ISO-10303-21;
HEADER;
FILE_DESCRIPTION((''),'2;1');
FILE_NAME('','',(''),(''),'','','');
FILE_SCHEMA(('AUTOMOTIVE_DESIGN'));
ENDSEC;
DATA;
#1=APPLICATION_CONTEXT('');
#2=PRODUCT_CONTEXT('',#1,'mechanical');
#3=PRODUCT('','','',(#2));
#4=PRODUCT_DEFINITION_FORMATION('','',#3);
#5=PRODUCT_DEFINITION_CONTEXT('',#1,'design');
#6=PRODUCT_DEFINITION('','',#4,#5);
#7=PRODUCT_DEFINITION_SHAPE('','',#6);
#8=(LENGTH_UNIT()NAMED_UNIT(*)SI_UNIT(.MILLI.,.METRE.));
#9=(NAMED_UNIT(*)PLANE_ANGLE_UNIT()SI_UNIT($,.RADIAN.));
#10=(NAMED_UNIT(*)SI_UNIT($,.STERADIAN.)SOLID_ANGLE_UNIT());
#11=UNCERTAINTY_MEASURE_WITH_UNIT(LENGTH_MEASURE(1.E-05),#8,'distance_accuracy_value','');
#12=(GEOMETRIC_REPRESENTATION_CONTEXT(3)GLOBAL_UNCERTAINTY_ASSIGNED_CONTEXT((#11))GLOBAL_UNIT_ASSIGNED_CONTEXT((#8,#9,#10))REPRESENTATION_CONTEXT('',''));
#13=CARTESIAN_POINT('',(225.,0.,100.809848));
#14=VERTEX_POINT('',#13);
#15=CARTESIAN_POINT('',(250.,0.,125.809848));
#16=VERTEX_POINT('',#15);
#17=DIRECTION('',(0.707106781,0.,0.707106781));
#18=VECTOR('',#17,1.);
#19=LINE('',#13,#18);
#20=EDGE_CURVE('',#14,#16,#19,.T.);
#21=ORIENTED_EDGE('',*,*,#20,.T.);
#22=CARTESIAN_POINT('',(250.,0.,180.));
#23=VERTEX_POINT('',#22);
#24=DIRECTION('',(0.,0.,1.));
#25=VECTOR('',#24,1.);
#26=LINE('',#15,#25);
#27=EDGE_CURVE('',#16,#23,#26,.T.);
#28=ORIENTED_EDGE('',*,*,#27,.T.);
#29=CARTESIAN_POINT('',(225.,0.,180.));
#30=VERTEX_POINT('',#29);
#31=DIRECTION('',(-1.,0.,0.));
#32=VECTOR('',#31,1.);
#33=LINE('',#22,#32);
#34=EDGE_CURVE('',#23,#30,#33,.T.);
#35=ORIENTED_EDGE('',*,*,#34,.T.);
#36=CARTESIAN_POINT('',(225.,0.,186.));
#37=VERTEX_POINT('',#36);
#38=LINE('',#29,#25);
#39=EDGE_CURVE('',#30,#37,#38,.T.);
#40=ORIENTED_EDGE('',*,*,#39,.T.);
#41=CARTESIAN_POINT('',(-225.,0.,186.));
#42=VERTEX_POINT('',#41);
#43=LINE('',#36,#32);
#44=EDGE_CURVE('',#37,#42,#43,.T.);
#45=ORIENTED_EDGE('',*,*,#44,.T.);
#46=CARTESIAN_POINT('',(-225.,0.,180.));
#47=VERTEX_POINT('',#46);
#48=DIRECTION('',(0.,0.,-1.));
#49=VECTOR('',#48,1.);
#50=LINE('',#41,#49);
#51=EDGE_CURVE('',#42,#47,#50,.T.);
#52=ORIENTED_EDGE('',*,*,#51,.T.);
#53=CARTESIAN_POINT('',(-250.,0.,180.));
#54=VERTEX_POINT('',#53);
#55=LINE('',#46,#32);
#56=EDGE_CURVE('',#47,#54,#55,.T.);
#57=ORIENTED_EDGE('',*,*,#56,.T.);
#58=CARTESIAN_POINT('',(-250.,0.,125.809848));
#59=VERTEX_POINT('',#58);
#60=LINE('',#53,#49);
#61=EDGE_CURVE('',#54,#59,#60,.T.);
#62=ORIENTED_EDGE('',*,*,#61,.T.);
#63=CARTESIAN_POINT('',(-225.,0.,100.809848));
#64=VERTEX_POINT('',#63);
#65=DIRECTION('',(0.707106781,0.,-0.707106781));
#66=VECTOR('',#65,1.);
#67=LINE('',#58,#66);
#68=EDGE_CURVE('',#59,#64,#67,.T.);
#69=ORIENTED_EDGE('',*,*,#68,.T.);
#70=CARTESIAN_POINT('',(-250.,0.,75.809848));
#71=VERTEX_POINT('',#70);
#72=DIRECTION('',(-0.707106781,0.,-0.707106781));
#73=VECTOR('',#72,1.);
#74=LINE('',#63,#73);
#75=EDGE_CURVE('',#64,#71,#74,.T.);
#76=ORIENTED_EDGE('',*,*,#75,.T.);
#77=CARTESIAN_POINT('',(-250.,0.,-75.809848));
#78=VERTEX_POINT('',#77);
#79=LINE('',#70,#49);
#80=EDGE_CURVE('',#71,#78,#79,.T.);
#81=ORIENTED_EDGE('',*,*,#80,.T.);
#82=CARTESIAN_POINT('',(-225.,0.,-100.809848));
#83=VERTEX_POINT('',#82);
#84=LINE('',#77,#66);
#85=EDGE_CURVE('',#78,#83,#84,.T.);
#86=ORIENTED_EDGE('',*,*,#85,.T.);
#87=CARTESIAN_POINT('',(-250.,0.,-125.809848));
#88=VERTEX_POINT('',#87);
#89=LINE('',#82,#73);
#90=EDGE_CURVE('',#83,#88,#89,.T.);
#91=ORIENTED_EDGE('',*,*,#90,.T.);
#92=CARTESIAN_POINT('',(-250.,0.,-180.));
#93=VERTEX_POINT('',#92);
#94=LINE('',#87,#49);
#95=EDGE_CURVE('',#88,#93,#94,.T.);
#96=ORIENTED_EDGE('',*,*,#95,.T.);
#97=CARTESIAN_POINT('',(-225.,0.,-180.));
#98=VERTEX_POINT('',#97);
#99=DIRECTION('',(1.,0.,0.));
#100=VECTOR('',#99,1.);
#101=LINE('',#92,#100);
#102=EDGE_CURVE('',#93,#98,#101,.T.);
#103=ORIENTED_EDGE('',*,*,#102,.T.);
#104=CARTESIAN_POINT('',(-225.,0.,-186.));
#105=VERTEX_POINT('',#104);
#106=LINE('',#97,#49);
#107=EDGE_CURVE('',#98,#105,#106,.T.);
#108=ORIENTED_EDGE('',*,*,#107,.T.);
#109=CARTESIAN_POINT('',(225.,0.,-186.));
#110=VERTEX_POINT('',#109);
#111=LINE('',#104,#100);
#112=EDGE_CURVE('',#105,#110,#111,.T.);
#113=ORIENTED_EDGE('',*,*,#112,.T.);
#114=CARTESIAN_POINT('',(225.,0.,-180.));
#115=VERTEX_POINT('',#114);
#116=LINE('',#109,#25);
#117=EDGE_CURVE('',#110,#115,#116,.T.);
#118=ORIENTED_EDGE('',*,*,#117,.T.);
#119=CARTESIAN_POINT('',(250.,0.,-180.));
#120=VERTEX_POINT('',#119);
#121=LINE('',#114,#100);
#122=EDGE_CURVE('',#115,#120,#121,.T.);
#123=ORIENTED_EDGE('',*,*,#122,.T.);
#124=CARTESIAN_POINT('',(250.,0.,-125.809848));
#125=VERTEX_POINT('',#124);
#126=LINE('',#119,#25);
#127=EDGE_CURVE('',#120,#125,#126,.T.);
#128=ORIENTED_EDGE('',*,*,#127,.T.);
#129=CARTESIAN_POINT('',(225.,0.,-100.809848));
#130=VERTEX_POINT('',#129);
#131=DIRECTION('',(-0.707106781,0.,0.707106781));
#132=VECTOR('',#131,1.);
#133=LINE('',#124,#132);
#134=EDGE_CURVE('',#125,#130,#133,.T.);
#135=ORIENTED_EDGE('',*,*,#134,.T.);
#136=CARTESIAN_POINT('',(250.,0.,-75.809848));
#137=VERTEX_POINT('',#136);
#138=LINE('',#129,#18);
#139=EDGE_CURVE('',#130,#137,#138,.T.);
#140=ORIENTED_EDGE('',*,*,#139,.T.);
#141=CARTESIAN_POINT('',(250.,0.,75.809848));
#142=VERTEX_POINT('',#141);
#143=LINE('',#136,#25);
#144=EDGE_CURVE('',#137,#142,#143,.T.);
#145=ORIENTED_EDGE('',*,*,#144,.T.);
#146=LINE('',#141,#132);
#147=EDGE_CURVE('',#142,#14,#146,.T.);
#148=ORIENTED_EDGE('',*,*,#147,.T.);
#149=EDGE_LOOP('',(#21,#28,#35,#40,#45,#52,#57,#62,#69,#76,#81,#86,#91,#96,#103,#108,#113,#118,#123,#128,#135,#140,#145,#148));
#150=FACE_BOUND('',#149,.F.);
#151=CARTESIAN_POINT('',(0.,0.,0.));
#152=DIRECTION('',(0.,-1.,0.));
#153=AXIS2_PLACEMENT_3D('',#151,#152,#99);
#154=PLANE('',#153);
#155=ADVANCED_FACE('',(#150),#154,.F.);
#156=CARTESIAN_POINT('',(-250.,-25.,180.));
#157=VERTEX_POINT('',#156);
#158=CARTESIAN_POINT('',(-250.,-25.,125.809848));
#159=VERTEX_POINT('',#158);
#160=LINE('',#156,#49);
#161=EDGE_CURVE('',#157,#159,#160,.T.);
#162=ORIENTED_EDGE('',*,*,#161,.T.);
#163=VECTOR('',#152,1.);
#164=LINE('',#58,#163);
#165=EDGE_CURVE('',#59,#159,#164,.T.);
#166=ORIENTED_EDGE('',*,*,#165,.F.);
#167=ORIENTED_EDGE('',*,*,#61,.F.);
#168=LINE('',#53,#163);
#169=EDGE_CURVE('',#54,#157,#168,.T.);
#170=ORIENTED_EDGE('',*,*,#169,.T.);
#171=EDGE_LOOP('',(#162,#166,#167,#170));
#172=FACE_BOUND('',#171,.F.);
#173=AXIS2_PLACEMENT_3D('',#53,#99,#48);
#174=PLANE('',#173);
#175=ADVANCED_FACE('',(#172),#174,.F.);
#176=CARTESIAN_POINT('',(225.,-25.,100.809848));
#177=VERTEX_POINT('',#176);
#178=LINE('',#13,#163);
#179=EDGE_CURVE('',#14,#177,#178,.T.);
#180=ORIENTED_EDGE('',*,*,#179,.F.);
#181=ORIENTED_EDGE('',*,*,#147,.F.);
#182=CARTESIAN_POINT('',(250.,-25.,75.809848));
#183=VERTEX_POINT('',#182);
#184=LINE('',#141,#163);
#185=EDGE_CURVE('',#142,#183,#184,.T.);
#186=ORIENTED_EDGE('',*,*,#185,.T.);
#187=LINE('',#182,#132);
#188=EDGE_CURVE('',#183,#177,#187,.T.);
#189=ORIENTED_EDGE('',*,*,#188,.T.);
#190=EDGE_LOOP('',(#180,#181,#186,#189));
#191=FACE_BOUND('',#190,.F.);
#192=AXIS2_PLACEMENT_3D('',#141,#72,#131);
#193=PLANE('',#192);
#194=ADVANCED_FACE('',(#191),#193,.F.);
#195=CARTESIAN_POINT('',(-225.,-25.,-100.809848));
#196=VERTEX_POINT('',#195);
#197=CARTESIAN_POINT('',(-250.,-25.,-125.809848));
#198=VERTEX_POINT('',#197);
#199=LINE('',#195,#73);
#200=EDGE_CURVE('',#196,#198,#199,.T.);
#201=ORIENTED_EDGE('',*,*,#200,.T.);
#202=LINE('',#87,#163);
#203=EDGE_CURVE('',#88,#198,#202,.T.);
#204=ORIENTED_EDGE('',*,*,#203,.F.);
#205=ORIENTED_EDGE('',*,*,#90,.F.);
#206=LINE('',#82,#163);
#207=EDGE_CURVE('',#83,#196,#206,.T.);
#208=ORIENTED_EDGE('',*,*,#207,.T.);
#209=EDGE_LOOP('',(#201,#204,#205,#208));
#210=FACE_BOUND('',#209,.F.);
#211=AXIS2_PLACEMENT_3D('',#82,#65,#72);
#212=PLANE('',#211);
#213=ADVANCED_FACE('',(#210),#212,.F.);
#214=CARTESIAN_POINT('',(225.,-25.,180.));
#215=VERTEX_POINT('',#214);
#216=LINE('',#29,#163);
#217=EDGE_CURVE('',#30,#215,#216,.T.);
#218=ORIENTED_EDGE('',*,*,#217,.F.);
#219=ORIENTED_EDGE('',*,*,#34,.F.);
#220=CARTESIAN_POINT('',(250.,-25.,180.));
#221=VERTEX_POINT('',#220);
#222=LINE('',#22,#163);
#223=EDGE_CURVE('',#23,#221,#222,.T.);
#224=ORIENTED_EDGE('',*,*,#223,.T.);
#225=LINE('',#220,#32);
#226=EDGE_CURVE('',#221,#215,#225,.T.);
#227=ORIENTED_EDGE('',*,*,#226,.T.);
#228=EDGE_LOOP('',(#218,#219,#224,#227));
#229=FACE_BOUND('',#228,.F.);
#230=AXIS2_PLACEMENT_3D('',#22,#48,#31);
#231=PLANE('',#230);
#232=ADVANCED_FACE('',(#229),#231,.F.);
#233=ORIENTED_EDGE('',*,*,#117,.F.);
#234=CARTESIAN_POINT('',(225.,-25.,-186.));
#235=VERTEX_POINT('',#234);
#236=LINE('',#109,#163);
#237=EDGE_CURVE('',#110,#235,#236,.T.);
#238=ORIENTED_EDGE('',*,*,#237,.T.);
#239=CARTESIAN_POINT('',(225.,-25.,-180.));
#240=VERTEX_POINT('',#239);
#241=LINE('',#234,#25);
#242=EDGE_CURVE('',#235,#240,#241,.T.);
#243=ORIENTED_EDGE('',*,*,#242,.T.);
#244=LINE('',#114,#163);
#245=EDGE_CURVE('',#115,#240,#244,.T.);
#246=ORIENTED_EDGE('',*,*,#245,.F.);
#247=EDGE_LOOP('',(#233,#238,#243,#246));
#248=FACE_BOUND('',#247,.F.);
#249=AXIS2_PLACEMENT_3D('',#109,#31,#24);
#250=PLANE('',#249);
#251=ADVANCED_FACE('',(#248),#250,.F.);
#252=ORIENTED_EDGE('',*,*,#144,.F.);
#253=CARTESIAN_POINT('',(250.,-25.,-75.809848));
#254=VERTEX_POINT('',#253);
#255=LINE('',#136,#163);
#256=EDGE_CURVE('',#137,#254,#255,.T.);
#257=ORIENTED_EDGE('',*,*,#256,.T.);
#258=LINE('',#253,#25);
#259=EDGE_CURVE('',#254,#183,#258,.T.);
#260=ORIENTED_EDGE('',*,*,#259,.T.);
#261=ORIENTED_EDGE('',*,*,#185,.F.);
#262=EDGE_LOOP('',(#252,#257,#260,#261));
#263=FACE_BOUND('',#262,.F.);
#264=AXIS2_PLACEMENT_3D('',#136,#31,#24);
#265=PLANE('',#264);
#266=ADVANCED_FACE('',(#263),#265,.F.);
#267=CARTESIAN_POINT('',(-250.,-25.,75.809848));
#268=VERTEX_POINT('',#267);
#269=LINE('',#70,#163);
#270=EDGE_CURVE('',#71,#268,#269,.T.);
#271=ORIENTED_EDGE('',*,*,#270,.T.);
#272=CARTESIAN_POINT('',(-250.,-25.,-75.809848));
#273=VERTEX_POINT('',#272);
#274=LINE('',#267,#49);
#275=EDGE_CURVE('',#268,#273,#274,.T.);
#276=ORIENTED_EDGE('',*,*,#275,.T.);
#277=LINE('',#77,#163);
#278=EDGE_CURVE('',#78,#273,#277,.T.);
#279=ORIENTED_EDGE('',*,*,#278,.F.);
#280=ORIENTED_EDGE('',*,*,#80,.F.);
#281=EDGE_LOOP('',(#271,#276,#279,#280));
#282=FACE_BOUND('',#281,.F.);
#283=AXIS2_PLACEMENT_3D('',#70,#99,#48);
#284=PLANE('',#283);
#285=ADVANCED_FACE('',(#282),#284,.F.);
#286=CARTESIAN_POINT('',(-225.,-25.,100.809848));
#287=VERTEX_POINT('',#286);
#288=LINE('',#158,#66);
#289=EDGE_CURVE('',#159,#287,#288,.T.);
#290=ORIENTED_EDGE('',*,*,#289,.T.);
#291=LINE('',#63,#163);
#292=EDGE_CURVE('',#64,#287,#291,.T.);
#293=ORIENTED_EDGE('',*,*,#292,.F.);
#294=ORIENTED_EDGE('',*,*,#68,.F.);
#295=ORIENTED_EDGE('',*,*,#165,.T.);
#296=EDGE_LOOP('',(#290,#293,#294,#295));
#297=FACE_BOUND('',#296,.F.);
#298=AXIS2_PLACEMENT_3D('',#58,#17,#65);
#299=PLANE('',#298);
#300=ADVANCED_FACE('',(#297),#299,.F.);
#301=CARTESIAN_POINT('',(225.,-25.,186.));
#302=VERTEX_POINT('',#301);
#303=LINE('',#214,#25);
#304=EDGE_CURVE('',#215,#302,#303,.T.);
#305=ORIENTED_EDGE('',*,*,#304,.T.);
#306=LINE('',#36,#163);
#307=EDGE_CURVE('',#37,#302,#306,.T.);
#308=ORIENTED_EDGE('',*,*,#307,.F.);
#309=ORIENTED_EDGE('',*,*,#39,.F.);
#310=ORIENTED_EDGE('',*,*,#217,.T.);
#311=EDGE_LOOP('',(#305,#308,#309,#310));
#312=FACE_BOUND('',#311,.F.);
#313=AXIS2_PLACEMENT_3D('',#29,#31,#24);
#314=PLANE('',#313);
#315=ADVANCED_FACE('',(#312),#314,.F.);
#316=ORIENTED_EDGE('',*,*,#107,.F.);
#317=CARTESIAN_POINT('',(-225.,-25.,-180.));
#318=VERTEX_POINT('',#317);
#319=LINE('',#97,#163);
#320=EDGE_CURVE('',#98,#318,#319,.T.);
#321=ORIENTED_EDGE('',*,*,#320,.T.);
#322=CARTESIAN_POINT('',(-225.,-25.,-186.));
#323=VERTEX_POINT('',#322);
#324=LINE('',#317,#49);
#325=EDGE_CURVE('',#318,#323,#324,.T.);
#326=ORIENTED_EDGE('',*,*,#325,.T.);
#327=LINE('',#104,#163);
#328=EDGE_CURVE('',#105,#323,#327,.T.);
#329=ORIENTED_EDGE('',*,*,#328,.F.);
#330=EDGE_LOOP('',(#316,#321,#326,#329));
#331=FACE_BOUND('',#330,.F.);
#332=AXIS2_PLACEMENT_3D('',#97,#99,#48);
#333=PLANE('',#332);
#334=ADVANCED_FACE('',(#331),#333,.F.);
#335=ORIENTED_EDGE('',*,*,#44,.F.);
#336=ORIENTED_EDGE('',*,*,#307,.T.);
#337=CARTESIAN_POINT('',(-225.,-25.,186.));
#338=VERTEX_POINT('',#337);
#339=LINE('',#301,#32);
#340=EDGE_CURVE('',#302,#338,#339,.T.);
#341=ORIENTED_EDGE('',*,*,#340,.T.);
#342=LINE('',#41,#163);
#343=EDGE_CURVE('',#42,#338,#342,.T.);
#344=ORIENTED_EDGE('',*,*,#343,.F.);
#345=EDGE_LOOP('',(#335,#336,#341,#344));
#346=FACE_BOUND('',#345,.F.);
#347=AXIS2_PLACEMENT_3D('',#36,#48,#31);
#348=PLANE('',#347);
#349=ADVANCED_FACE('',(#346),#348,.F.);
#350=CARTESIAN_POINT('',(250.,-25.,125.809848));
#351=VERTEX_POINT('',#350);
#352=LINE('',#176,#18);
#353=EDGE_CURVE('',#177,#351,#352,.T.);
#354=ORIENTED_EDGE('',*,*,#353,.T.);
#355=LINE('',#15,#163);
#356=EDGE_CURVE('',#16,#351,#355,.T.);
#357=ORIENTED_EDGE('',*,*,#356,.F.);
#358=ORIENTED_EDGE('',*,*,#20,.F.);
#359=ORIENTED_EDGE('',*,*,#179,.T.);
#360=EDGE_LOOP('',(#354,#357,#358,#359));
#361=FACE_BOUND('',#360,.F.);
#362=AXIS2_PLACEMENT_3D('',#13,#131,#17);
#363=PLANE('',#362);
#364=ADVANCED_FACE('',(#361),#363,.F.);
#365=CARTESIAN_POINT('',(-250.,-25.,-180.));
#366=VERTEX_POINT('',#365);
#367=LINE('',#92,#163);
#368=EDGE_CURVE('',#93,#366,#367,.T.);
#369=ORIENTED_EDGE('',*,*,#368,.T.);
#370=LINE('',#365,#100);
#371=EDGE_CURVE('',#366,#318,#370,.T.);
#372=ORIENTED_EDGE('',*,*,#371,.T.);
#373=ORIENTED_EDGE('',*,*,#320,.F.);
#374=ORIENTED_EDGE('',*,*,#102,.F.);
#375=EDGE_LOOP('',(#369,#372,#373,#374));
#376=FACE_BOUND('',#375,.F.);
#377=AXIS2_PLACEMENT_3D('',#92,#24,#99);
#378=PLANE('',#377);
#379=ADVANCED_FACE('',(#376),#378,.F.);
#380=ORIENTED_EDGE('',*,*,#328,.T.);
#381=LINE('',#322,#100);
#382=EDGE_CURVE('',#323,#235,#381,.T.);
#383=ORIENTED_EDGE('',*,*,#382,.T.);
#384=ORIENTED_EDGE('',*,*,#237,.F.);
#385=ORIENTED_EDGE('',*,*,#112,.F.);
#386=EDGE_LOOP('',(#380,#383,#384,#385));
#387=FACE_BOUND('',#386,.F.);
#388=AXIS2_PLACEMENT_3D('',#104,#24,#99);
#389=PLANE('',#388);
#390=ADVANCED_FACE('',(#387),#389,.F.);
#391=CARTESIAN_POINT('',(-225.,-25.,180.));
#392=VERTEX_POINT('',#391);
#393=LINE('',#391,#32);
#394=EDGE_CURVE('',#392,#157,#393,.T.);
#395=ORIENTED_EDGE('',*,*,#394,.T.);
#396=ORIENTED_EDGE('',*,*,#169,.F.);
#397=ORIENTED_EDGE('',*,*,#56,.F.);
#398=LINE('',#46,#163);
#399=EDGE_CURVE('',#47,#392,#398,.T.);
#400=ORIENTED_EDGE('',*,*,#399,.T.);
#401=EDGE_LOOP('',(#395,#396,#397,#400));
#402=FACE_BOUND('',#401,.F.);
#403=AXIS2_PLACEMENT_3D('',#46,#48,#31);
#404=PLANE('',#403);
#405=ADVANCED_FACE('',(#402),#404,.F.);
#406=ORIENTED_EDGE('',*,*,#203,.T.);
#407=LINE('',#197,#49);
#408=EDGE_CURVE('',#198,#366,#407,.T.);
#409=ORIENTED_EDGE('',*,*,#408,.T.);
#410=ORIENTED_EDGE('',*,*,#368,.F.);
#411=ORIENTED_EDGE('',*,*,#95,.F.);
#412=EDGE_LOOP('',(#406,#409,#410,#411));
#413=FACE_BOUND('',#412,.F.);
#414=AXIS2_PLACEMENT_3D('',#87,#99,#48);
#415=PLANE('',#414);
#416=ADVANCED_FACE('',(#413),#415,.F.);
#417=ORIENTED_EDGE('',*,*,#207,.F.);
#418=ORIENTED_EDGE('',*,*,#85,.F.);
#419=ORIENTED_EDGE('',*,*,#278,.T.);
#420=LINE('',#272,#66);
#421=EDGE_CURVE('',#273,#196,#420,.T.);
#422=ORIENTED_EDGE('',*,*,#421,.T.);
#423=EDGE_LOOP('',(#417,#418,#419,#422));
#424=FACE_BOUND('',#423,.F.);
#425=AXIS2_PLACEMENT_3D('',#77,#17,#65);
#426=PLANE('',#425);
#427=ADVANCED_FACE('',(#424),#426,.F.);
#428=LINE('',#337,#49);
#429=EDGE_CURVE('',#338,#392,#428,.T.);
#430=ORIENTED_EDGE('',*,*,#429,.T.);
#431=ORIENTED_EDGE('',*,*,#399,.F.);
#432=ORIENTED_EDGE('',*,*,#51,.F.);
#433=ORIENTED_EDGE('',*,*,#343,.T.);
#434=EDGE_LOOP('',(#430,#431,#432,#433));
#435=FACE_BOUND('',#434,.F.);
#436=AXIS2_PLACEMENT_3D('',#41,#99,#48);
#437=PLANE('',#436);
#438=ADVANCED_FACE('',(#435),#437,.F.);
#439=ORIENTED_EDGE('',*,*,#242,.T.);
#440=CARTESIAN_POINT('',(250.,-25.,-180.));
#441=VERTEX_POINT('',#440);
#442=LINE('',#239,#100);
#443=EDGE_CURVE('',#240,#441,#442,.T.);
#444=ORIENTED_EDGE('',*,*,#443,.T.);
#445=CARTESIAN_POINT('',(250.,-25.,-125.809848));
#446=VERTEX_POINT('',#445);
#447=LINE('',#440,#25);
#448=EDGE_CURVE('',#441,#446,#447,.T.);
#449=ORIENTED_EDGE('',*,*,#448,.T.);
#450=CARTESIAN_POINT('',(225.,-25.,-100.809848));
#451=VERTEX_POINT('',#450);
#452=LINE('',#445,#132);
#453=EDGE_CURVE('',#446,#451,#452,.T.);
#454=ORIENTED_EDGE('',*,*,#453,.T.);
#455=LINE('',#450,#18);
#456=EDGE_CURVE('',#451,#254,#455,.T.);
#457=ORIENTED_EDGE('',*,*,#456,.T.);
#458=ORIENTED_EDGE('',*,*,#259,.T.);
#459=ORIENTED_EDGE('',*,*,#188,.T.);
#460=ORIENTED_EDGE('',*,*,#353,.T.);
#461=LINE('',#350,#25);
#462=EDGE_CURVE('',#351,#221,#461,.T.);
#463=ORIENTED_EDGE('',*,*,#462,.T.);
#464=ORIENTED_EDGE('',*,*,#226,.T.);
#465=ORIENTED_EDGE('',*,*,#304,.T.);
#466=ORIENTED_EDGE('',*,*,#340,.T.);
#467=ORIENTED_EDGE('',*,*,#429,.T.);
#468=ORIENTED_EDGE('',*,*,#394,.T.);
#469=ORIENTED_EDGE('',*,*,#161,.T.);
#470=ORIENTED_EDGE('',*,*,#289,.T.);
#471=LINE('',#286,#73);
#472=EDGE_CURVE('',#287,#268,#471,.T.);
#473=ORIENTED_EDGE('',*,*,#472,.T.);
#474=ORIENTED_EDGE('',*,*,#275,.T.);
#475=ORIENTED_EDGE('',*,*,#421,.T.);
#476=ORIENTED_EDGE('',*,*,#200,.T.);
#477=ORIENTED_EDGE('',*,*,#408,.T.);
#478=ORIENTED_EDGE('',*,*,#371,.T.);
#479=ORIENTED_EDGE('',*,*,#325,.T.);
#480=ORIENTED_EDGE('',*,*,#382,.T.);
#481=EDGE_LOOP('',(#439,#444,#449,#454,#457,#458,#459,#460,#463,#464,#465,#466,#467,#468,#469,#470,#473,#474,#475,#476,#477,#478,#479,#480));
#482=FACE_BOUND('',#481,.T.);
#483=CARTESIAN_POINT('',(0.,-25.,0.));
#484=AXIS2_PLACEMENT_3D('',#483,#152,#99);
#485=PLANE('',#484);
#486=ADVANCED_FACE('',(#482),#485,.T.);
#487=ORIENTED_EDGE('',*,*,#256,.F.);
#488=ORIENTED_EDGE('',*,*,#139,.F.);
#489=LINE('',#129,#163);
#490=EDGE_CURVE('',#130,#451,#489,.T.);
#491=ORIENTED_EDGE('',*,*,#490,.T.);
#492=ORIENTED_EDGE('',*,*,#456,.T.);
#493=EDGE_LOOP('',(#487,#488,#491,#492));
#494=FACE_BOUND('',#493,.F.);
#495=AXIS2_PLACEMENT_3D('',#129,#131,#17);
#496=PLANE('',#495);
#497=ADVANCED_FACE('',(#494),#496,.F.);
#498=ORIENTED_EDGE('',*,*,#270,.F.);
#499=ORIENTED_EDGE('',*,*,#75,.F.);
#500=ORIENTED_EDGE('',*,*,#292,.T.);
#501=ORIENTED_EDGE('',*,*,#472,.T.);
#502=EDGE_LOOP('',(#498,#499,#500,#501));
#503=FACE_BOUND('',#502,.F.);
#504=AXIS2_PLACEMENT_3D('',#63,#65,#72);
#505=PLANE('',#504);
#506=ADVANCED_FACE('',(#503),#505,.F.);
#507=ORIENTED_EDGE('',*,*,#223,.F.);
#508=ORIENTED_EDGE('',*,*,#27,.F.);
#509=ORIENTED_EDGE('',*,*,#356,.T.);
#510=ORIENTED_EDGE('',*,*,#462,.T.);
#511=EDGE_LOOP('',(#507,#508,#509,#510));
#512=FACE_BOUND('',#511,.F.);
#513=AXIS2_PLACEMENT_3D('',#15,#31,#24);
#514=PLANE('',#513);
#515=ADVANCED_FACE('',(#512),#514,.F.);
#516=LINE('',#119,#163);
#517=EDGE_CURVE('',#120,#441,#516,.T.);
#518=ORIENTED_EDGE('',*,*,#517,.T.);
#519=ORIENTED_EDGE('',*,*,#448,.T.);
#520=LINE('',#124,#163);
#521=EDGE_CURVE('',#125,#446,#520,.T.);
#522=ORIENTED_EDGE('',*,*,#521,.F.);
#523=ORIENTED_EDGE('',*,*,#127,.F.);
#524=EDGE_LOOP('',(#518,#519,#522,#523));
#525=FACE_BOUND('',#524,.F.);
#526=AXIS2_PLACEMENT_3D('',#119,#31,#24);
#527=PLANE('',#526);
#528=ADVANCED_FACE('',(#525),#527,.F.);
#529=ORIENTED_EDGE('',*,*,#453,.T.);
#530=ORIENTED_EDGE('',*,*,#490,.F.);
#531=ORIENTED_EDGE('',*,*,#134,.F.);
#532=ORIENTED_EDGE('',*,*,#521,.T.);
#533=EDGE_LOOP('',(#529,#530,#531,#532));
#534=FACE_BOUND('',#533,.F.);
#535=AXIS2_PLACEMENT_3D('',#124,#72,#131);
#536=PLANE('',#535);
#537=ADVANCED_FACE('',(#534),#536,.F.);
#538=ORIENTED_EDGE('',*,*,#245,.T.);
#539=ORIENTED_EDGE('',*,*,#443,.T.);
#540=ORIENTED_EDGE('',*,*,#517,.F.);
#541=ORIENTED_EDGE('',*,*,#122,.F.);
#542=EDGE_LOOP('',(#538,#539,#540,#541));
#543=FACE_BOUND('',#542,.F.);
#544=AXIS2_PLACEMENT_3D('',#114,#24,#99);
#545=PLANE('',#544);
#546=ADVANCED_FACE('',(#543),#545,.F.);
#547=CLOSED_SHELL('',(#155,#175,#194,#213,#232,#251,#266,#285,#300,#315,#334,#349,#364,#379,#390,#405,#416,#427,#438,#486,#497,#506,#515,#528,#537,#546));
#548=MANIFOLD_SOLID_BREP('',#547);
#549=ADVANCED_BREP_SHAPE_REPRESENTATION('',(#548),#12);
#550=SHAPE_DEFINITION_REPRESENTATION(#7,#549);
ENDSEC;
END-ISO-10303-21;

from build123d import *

# Parameters (mm, degrees)
F1_DEPTH = 25


with BuildPart() as f1:
    # F0 (on Front) → F1 (new body)
    with BuildSketch(Plane.XZ):
        Polygon((225, 186), (0, 186), (-225, 186), (-225, 180), (-250, 180), (-250, 125.809848), (-225, 100.809848), (-250, 75.809848), (-250, 0), (-250, -75.809848), (-225, -100.809848), (-250, -125.809848), (-250, -180), (-225, -180), (-225, -186), (0, -186), (225, -186), (225, -180), (250, -180), (250, -125.809848), (225, -100.809848), (250, -75.809848), (250, 0), (250, 75.809848), (225, 100.809848), (250, 125.809848), (250, 180), (225, 180), align=None)
    extrude(amount=F1_DEPTH)


solid = f1.part
